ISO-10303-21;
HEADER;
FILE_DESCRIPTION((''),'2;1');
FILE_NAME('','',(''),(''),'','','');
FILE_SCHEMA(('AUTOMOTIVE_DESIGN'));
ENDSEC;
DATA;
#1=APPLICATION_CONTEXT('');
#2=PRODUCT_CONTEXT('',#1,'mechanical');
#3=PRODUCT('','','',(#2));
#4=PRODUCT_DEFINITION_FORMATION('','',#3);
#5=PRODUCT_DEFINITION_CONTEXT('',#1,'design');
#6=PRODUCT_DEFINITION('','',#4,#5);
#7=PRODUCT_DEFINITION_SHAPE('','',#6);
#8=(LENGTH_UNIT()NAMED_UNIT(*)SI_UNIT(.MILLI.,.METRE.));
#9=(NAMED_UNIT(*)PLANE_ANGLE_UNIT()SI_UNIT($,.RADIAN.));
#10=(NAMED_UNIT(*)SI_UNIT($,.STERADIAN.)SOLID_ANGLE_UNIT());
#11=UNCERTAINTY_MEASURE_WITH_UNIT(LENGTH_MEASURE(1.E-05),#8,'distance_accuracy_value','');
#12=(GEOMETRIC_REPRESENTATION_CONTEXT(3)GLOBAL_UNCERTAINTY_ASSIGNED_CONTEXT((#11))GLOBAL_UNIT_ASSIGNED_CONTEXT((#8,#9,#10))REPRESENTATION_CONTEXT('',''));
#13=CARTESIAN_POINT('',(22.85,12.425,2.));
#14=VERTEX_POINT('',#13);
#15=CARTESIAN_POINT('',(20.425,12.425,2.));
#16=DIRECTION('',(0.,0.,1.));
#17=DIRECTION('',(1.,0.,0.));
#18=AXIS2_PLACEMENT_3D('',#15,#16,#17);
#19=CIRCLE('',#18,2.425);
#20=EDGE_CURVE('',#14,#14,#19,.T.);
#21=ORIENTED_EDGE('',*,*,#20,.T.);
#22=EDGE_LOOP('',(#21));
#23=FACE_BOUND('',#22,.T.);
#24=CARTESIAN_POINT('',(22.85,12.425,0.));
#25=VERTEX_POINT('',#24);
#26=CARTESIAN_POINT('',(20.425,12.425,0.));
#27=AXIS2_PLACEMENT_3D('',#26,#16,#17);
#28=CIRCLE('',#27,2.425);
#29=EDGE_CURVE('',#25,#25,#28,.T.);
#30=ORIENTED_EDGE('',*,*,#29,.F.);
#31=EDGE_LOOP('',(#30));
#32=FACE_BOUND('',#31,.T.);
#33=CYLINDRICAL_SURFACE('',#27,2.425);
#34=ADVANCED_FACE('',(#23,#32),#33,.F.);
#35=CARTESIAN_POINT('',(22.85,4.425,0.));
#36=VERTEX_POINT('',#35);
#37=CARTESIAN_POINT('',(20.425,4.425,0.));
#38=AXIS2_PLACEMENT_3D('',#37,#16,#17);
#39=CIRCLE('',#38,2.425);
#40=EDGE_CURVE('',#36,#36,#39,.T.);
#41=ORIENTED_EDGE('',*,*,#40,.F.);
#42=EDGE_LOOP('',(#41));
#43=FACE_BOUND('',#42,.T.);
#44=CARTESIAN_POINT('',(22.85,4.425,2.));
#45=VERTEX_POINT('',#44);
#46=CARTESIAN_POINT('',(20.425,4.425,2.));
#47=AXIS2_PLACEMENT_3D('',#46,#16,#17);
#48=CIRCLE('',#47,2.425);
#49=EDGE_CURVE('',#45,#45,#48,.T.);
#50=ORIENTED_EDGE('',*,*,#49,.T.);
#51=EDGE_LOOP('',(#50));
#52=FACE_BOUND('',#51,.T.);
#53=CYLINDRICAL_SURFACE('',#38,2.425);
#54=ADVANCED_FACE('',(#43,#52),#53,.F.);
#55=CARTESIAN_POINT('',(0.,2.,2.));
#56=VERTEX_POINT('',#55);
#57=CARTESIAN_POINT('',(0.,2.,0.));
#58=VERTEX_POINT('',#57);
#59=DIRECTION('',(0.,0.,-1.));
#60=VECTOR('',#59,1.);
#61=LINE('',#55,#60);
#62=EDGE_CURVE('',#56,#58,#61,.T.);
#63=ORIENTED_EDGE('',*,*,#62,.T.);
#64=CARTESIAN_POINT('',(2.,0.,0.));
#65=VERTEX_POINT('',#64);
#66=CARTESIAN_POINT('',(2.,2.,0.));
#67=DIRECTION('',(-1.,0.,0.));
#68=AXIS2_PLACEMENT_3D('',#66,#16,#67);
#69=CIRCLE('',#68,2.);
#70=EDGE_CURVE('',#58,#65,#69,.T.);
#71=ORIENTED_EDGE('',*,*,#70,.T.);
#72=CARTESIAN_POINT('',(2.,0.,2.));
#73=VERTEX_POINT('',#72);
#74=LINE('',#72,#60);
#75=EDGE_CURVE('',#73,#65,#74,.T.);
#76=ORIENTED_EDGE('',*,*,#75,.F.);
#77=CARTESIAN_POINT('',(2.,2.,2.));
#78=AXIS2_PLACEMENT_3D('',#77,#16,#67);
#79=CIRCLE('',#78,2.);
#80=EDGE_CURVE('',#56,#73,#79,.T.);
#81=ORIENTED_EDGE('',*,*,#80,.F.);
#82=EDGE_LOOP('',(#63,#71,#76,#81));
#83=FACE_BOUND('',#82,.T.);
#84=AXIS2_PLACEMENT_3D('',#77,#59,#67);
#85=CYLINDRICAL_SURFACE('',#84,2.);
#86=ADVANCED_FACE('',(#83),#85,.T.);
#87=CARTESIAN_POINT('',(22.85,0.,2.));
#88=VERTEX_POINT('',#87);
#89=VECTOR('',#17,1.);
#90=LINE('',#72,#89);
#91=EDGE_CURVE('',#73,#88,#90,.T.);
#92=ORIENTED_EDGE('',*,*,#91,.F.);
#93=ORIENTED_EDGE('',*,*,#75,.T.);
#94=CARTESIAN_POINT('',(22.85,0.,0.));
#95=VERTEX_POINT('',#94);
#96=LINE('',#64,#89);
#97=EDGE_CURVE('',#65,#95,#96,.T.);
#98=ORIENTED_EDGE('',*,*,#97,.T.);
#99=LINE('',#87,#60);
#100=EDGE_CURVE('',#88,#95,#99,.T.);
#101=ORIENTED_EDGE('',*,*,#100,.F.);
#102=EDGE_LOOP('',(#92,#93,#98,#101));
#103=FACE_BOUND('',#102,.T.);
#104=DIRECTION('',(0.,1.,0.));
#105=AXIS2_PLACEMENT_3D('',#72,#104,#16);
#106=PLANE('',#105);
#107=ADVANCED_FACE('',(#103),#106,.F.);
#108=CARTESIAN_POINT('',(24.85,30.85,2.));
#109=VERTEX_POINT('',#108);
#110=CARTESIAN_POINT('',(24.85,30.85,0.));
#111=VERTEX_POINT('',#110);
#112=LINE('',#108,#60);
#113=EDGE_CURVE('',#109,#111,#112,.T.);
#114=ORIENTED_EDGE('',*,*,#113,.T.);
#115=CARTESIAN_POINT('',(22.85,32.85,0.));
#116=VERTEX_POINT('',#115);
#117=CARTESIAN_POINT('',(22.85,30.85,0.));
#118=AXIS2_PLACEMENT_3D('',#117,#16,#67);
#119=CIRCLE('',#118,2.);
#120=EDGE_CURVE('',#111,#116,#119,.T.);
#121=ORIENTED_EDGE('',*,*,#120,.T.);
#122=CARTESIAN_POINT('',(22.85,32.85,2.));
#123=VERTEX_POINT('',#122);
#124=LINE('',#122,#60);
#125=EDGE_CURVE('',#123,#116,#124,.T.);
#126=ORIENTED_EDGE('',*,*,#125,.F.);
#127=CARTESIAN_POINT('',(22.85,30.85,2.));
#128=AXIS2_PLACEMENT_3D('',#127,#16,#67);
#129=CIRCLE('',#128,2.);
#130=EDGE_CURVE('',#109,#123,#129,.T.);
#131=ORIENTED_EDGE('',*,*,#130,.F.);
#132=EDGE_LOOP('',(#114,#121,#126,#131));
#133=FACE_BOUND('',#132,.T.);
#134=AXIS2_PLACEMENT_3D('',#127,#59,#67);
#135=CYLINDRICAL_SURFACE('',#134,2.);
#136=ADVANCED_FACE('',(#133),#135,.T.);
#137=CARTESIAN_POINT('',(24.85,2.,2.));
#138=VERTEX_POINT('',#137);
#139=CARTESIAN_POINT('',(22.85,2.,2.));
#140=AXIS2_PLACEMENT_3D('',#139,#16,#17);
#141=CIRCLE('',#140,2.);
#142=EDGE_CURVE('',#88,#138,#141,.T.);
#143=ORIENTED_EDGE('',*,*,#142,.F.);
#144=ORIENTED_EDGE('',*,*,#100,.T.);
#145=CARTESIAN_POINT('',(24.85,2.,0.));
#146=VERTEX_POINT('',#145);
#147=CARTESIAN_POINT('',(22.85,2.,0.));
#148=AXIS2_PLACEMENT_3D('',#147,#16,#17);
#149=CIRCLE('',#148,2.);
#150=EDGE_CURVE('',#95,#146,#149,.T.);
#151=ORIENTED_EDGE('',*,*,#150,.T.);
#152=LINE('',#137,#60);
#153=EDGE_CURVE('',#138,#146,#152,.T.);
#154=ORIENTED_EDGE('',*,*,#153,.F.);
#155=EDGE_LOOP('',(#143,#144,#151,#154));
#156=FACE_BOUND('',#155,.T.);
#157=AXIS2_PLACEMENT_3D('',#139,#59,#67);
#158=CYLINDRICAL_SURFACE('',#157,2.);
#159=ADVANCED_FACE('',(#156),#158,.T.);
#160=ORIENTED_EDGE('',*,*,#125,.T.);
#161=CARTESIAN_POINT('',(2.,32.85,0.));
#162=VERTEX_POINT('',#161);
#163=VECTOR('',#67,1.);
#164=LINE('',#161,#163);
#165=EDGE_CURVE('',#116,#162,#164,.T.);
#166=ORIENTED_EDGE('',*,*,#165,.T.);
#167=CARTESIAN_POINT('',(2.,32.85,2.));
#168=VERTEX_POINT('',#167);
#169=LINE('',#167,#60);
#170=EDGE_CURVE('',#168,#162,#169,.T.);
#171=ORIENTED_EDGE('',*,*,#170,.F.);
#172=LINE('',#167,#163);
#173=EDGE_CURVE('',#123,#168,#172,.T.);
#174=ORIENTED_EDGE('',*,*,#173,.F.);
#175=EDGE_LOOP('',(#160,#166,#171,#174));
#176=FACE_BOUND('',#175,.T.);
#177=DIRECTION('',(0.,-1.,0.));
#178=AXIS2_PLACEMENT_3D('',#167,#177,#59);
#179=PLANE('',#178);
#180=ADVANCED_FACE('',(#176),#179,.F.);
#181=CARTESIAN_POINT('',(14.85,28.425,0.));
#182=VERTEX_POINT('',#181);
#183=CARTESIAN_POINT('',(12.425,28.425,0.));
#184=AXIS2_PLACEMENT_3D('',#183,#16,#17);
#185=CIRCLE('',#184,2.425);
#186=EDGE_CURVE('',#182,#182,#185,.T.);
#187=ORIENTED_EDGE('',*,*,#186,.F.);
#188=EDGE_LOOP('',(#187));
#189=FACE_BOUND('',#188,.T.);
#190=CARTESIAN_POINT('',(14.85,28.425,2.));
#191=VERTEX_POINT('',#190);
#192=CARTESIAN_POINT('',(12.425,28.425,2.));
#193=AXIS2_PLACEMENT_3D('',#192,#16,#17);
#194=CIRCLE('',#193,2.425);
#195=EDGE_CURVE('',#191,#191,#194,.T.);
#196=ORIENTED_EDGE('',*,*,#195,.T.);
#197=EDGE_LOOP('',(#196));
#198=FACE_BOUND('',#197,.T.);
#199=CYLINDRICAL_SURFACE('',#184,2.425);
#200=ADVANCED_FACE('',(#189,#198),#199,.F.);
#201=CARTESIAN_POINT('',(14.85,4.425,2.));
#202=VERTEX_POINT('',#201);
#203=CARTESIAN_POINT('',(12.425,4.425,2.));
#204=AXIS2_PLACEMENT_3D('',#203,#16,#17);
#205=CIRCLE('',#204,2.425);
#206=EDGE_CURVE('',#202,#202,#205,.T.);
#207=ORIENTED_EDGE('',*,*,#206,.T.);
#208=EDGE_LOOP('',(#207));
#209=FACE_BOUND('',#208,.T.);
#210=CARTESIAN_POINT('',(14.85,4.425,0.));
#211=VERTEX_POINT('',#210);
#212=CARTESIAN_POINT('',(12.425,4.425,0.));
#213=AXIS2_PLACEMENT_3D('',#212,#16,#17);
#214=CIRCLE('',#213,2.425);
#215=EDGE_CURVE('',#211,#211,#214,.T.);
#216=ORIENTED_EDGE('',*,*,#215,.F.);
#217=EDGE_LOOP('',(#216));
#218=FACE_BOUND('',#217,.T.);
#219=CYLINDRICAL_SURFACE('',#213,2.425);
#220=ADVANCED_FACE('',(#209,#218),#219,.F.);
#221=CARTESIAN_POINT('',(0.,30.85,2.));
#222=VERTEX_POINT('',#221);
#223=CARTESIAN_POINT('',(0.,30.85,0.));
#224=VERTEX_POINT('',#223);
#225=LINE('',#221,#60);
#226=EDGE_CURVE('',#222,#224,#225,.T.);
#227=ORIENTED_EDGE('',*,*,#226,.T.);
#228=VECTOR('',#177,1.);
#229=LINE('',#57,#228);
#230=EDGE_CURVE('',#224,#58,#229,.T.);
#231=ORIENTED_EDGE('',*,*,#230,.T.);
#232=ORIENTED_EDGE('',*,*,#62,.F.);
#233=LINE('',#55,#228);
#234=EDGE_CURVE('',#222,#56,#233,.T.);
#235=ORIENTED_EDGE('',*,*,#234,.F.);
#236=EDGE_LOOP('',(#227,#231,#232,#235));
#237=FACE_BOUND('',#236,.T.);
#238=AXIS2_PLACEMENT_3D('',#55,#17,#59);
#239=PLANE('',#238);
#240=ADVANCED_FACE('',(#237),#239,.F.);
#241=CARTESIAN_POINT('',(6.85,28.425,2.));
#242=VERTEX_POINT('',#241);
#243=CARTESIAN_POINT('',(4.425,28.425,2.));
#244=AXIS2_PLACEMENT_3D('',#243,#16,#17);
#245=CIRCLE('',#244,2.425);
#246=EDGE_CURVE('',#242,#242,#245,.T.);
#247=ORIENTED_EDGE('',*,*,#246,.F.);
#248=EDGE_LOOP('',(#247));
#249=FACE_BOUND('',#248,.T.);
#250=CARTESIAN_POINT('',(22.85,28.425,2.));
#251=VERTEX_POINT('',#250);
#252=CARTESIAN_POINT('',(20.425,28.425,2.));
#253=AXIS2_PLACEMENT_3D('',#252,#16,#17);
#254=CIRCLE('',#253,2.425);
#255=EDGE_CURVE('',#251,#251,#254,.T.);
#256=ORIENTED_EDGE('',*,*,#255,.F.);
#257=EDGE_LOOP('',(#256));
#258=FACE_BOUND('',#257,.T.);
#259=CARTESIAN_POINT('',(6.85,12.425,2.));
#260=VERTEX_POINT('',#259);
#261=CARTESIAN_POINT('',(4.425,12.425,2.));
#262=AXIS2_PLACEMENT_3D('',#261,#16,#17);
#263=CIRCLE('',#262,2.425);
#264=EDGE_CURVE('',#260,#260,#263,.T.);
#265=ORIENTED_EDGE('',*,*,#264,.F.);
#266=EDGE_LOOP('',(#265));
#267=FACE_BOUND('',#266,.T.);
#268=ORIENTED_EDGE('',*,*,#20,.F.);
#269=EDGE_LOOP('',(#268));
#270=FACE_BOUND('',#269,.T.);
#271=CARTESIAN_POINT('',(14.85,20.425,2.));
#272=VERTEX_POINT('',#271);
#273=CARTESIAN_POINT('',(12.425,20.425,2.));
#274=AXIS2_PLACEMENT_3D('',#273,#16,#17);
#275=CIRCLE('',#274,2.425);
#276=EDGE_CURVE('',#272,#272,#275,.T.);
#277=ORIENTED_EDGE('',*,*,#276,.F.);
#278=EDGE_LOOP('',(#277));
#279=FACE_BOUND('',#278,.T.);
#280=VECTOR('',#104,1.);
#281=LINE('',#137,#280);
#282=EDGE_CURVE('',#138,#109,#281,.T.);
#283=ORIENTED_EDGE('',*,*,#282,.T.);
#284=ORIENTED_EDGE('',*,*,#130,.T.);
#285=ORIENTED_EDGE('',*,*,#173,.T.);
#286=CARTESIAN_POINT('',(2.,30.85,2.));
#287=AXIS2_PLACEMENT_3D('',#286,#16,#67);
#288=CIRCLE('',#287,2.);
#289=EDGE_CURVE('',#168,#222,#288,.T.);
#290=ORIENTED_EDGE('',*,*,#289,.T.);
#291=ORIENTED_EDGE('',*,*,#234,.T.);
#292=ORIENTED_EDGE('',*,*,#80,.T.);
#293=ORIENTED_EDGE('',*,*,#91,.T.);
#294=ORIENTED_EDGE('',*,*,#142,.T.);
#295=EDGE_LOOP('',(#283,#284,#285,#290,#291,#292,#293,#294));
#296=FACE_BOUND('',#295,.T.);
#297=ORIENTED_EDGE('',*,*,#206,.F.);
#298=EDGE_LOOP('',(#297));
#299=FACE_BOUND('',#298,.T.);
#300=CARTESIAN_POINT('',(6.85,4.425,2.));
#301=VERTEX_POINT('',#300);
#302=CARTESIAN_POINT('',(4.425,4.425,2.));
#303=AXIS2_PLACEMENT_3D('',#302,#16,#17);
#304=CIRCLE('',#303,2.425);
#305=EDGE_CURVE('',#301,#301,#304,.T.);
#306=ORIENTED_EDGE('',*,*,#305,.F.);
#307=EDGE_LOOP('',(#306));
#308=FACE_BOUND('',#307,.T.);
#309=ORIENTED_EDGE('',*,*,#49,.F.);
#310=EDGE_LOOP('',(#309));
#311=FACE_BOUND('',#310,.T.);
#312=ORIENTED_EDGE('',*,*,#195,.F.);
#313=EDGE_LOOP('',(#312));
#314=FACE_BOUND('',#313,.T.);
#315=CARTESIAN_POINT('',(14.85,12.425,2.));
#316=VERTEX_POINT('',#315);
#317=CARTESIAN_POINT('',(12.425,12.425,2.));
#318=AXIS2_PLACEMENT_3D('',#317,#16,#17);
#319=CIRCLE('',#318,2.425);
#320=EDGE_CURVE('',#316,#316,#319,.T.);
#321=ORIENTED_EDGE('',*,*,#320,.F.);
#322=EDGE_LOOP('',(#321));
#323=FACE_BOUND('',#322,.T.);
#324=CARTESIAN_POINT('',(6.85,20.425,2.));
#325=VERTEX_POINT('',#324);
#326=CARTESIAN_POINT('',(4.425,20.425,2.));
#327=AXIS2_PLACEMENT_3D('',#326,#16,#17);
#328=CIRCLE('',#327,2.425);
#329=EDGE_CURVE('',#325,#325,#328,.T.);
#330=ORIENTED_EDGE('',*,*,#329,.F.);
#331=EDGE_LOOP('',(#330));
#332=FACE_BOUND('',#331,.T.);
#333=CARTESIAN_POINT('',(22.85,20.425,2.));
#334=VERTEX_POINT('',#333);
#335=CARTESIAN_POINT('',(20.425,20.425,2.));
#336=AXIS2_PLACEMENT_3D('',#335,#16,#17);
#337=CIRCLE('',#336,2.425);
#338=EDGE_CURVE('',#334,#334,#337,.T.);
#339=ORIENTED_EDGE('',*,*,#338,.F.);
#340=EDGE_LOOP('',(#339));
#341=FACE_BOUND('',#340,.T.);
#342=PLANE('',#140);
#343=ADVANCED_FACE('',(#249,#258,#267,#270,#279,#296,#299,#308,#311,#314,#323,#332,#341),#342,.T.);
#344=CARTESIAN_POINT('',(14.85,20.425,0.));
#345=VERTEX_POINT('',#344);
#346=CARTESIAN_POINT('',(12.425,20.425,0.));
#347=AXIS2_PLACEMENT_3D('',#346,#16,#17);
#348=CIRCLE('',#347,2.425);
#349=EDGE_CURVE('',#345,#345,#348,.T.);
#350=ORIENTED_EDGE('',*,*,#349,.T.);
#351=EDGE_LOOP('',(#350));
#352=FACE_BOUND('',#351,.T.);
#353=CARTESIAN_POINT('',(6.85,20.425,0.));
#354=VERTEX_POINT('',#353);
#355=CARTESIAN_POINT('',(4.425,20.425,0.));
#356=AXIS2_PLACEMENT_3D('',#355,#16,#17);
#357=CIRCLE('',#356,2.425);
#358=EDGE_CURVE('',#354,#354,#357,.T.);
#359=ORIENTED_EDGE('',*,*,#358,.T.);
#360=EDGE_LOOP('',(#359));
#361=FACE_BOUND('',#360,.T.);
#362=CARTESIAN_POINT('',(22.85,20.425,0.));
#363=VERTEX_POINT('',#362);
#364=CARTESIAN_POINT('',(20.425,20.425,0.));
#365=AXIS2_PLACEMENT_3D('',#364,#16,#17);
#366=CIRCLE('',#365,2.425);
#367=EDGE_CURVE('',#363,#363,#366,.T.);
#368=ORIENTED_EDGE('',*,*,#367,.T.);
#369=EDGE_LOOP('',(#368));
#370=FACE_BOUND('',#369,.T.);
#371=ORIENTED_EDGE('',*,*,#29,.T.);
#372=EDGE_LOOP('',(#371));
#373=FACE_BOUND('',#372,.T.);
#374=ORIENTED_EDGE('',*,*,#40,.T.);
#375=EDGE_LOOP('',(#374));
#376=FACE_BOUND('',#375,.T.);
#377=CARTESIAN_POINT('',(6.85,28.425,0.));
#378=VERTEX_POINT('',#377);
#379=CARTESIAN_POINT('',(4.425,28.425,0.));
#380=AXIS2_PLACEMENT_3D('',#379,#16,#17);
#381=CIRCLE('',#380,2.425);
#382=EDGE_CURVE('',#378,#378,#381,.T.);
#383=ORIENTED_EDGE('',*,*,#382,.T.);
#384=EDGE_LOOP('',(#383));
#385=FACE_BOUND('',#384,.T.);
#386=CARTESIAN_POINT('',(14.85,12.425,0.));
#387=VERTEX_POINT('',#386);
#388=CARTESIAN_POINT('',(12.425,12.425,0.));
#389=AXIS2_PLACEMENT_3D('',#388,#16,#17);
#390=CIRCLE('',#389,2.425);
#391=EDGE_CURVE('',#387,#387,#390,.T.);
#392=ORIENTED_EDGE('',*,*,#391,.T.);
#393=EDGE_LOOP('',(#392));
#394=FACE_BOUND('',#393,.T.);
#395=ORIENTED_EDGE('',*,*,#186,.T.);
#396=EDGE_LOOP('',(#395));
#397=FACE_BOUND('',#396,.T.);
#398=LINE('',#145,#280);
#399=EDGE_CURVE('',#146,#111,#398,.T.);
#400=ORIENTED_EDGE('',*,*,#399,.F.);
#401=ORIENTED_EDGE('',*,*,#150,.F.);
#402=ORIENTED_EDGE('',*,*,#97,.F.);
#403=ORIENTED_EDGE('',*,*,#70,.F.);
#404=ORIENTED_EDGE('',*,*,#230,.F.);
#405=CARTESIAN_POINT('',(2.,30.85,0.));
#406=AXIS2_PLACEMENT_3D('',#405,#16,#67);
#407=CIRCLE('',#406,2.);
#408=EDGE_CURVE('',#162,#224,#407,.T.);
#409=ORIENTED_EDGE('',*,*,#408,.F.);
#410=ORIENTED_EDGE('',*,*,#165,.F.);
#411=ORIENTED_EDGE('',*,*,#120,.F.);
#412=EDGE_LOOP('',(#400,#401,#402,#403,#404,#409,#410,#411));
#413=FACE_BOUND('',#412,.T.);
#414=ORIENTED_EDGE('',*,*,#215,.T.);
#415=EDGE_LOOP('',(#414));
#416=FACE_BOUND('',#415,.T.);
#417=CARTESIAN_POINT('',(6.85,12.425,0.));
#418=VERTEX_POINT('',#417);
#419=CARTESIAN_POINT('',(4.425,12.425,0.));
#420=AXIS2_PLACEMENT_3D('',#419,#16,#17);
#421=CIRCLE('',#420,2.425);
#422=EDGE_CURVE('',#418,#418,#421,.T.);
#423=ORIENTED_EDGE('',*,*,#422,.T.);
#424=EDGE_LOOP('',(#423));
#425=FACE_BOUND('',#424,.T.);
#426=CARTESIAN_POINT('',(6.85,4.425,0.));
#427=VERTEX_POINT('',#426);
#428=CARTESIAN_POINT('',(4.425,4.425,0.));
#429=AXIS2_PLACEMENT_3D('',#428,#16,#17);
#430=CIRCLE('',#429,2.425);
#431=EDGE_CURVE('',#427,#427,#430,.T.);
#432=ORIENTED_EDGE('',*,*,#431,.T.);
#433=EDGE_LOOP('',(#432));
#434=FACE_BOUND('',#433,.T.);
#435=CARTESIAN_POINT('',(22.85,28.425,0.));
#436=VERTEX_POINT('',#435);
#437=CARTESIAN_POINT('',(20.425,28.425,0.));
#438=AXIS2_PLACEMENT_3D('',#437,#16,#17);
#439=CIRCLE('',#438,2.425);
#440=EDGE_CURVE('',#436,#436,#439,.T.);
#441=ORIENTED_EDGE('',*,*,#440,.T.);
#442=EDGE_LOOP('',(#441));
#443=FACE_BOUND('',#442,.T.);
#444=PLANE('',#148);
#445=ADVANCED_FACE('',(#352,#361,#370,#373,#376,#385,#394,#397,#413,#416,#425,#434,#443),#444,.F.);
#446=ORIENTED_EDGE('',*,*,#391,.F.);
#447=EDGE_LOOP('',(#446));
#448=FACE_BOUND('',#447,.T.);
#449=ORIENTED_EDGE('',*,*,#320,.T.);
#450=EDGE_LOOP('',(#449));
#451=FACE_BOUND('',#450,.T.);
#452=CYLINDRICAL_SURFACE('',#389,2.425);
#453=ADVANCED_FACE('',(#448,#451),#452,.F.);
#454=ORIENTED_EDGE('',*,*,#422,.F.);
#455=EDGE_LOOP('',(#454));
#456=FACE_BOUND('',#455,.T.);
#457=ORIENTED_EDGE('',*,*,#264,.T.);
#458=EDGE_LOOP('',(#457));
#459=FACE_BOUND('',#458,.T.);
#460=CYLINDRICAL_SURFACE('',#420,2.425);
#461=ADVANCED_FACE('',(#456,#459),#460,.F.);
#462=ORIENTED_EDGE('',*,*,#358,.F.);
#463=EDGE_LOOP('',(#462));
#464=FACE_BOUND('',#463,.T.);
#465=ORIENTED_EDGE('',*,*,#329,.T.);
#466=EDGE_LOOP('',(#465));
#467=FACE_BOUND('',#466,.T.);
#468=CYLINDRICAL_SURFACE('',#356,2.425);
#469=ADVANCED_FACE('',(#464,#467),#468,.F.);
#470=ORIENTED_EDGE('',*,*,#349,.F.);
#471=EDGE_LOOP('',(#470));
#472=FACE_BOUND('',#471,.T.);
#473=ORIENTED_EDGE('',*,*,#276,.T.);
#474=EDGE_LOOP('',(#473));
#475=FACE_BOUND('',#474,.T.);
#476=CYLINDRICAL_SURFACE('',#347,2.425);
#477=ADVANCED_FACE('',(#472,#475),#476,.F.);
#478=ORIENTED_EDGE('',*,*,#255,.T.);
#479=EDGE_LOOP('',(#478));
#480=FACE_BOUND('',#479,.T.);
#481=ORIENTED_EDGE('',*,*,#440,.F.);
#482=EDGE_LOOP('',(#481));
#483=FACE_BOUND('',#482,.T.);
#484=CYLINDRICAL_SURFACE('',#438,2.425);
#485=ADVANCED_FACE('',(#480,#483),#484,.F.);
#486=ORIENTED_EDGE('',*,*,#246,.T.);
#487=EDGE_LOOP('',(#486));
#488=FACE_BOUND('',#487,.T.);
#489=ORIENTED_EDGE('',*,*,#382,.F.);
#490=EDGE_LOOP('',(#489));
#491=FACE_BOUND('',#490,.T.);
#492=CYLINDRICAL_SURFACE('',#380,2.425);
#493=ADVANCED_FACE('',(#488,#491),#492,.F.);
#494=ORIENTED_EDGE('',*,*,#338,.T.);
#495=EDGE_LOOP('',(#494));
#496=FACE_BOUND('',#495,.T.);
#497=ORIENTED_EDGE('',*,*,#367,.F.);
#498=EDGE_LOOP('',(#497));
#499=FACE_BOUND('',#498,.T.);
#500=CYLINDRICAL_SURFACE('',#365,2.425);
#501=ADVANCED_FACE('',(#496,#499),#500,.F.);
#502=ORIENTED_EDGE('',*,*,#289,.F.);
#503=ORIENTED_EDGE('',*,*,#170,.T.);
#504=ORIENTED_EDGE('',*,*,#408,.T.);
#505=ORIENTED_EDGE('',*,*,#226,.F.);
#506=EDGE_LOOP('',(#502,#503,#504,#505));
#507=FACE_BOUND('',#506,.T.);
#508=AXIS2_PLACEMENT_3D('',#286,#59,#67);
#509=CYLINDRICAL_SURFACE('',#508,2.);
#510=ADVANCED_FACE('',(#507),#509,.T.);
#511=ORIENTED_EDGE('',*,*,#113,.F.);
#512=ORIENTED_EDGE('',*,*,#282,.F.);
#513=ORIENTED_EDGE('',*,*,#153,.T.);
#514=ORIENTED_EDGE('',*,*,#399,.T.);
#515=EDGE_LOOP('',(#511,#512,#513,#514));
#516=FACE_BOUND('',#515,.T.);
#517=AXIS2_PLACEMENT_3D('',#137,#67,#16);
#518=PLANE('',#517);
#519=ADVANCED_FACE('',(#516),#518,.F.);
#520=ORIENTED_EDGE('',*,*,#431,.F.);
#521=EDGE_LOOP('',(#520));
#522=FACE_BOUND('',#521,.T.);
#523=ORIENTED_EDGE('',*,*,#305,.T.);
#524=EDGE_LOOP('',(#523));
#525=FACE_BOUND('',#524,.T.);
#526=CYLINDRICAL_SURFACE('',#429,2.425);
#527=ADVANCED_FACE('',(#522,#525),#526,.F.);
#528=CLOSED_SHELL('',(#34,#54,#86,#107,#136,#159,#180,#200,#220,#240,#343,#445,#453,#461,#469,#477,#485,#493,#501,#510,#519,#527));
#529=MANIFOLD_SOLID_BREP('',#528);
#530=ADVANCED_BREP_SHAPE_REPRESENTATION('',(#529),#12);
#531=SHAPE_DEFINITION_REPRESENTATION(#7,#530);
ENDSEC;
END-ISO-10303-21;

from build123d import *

# Parameters (mm, degrees)
BOSS_EXTRUDE2_DEPTH = 2
SKETCH2_R           = 2.425
CUT_EXTRUDE1_DEPTH  = 2


with BuildPart() as part:
    # Sketch1 → Boss-Extrude2 (new body)
    with BuildSketch(Plane.XY):
        with BuildLine():
            Line((2, 0), (22.85, 0))
            ThreePointArc((22.85, 0), (24.264213562, 0.585786438), (24.85, 2))
            Line((24.85, 2), (24.85, 30.85))
            ThreePointArc((24.85, 30.85), (24.264213562, 32.264213562), (22.85, 32.85))
            Line((22.85, 32.85), (2, 32.85))
            ThreePointArc((2, 32.85), (0.585786438, 32.264213562), (0, 30.85))
            Line((0, 30.85), (0, 2))
            ThreePointArc((0, 2), (0.585786438, 0.585786438), (2, 0))
        make_face()
    extrude(amount=BOSS_EXTRUDE2_DEPTH)

    # Sketch2 → Cut-Extrude1 (cut)
    with BuildSketch(Plane.XY.offset(2)):
        with Locations((4.425, 4.425)):
            Circle(SKETCH2_R)
        with Locations((12.425, 4.425)):
            Circle(SKETCH2_R)
        with Locations((20.425, 4.425)):
            Circle(SKETCH2_R)
        with Locations((4.425, 12.425)):
            Circle(SKETCH2_R)
        with Locations((12.425, 12.425)):
            Circle(SKETCH2_R)
        with Locations((20.425, 12.425)):
            Circle(SKETCH2_R)
        with Locations((4.425, 20.425)):
            Circle(SKETCH2_R)
        with Locations((12.425, 20.425)):
            Circle(SKETCH2_R)
        with Locations((20.425, 20.425)):
            Circle(SKETCH2_R)
        with Locations((4.425, 28.425)):
            Circle(SKETCH2_R)
        with Locations((12.425, 28.425)):
            Circle(SKETCH2_R)
        with Locations((20.425, 28.425)):
            Circle(SKETCH2_R)
    extrude(amount=-CUT_EXTRUDE1_DEPTH, mode=Mode.SUBTRACT)


solid = part.part
